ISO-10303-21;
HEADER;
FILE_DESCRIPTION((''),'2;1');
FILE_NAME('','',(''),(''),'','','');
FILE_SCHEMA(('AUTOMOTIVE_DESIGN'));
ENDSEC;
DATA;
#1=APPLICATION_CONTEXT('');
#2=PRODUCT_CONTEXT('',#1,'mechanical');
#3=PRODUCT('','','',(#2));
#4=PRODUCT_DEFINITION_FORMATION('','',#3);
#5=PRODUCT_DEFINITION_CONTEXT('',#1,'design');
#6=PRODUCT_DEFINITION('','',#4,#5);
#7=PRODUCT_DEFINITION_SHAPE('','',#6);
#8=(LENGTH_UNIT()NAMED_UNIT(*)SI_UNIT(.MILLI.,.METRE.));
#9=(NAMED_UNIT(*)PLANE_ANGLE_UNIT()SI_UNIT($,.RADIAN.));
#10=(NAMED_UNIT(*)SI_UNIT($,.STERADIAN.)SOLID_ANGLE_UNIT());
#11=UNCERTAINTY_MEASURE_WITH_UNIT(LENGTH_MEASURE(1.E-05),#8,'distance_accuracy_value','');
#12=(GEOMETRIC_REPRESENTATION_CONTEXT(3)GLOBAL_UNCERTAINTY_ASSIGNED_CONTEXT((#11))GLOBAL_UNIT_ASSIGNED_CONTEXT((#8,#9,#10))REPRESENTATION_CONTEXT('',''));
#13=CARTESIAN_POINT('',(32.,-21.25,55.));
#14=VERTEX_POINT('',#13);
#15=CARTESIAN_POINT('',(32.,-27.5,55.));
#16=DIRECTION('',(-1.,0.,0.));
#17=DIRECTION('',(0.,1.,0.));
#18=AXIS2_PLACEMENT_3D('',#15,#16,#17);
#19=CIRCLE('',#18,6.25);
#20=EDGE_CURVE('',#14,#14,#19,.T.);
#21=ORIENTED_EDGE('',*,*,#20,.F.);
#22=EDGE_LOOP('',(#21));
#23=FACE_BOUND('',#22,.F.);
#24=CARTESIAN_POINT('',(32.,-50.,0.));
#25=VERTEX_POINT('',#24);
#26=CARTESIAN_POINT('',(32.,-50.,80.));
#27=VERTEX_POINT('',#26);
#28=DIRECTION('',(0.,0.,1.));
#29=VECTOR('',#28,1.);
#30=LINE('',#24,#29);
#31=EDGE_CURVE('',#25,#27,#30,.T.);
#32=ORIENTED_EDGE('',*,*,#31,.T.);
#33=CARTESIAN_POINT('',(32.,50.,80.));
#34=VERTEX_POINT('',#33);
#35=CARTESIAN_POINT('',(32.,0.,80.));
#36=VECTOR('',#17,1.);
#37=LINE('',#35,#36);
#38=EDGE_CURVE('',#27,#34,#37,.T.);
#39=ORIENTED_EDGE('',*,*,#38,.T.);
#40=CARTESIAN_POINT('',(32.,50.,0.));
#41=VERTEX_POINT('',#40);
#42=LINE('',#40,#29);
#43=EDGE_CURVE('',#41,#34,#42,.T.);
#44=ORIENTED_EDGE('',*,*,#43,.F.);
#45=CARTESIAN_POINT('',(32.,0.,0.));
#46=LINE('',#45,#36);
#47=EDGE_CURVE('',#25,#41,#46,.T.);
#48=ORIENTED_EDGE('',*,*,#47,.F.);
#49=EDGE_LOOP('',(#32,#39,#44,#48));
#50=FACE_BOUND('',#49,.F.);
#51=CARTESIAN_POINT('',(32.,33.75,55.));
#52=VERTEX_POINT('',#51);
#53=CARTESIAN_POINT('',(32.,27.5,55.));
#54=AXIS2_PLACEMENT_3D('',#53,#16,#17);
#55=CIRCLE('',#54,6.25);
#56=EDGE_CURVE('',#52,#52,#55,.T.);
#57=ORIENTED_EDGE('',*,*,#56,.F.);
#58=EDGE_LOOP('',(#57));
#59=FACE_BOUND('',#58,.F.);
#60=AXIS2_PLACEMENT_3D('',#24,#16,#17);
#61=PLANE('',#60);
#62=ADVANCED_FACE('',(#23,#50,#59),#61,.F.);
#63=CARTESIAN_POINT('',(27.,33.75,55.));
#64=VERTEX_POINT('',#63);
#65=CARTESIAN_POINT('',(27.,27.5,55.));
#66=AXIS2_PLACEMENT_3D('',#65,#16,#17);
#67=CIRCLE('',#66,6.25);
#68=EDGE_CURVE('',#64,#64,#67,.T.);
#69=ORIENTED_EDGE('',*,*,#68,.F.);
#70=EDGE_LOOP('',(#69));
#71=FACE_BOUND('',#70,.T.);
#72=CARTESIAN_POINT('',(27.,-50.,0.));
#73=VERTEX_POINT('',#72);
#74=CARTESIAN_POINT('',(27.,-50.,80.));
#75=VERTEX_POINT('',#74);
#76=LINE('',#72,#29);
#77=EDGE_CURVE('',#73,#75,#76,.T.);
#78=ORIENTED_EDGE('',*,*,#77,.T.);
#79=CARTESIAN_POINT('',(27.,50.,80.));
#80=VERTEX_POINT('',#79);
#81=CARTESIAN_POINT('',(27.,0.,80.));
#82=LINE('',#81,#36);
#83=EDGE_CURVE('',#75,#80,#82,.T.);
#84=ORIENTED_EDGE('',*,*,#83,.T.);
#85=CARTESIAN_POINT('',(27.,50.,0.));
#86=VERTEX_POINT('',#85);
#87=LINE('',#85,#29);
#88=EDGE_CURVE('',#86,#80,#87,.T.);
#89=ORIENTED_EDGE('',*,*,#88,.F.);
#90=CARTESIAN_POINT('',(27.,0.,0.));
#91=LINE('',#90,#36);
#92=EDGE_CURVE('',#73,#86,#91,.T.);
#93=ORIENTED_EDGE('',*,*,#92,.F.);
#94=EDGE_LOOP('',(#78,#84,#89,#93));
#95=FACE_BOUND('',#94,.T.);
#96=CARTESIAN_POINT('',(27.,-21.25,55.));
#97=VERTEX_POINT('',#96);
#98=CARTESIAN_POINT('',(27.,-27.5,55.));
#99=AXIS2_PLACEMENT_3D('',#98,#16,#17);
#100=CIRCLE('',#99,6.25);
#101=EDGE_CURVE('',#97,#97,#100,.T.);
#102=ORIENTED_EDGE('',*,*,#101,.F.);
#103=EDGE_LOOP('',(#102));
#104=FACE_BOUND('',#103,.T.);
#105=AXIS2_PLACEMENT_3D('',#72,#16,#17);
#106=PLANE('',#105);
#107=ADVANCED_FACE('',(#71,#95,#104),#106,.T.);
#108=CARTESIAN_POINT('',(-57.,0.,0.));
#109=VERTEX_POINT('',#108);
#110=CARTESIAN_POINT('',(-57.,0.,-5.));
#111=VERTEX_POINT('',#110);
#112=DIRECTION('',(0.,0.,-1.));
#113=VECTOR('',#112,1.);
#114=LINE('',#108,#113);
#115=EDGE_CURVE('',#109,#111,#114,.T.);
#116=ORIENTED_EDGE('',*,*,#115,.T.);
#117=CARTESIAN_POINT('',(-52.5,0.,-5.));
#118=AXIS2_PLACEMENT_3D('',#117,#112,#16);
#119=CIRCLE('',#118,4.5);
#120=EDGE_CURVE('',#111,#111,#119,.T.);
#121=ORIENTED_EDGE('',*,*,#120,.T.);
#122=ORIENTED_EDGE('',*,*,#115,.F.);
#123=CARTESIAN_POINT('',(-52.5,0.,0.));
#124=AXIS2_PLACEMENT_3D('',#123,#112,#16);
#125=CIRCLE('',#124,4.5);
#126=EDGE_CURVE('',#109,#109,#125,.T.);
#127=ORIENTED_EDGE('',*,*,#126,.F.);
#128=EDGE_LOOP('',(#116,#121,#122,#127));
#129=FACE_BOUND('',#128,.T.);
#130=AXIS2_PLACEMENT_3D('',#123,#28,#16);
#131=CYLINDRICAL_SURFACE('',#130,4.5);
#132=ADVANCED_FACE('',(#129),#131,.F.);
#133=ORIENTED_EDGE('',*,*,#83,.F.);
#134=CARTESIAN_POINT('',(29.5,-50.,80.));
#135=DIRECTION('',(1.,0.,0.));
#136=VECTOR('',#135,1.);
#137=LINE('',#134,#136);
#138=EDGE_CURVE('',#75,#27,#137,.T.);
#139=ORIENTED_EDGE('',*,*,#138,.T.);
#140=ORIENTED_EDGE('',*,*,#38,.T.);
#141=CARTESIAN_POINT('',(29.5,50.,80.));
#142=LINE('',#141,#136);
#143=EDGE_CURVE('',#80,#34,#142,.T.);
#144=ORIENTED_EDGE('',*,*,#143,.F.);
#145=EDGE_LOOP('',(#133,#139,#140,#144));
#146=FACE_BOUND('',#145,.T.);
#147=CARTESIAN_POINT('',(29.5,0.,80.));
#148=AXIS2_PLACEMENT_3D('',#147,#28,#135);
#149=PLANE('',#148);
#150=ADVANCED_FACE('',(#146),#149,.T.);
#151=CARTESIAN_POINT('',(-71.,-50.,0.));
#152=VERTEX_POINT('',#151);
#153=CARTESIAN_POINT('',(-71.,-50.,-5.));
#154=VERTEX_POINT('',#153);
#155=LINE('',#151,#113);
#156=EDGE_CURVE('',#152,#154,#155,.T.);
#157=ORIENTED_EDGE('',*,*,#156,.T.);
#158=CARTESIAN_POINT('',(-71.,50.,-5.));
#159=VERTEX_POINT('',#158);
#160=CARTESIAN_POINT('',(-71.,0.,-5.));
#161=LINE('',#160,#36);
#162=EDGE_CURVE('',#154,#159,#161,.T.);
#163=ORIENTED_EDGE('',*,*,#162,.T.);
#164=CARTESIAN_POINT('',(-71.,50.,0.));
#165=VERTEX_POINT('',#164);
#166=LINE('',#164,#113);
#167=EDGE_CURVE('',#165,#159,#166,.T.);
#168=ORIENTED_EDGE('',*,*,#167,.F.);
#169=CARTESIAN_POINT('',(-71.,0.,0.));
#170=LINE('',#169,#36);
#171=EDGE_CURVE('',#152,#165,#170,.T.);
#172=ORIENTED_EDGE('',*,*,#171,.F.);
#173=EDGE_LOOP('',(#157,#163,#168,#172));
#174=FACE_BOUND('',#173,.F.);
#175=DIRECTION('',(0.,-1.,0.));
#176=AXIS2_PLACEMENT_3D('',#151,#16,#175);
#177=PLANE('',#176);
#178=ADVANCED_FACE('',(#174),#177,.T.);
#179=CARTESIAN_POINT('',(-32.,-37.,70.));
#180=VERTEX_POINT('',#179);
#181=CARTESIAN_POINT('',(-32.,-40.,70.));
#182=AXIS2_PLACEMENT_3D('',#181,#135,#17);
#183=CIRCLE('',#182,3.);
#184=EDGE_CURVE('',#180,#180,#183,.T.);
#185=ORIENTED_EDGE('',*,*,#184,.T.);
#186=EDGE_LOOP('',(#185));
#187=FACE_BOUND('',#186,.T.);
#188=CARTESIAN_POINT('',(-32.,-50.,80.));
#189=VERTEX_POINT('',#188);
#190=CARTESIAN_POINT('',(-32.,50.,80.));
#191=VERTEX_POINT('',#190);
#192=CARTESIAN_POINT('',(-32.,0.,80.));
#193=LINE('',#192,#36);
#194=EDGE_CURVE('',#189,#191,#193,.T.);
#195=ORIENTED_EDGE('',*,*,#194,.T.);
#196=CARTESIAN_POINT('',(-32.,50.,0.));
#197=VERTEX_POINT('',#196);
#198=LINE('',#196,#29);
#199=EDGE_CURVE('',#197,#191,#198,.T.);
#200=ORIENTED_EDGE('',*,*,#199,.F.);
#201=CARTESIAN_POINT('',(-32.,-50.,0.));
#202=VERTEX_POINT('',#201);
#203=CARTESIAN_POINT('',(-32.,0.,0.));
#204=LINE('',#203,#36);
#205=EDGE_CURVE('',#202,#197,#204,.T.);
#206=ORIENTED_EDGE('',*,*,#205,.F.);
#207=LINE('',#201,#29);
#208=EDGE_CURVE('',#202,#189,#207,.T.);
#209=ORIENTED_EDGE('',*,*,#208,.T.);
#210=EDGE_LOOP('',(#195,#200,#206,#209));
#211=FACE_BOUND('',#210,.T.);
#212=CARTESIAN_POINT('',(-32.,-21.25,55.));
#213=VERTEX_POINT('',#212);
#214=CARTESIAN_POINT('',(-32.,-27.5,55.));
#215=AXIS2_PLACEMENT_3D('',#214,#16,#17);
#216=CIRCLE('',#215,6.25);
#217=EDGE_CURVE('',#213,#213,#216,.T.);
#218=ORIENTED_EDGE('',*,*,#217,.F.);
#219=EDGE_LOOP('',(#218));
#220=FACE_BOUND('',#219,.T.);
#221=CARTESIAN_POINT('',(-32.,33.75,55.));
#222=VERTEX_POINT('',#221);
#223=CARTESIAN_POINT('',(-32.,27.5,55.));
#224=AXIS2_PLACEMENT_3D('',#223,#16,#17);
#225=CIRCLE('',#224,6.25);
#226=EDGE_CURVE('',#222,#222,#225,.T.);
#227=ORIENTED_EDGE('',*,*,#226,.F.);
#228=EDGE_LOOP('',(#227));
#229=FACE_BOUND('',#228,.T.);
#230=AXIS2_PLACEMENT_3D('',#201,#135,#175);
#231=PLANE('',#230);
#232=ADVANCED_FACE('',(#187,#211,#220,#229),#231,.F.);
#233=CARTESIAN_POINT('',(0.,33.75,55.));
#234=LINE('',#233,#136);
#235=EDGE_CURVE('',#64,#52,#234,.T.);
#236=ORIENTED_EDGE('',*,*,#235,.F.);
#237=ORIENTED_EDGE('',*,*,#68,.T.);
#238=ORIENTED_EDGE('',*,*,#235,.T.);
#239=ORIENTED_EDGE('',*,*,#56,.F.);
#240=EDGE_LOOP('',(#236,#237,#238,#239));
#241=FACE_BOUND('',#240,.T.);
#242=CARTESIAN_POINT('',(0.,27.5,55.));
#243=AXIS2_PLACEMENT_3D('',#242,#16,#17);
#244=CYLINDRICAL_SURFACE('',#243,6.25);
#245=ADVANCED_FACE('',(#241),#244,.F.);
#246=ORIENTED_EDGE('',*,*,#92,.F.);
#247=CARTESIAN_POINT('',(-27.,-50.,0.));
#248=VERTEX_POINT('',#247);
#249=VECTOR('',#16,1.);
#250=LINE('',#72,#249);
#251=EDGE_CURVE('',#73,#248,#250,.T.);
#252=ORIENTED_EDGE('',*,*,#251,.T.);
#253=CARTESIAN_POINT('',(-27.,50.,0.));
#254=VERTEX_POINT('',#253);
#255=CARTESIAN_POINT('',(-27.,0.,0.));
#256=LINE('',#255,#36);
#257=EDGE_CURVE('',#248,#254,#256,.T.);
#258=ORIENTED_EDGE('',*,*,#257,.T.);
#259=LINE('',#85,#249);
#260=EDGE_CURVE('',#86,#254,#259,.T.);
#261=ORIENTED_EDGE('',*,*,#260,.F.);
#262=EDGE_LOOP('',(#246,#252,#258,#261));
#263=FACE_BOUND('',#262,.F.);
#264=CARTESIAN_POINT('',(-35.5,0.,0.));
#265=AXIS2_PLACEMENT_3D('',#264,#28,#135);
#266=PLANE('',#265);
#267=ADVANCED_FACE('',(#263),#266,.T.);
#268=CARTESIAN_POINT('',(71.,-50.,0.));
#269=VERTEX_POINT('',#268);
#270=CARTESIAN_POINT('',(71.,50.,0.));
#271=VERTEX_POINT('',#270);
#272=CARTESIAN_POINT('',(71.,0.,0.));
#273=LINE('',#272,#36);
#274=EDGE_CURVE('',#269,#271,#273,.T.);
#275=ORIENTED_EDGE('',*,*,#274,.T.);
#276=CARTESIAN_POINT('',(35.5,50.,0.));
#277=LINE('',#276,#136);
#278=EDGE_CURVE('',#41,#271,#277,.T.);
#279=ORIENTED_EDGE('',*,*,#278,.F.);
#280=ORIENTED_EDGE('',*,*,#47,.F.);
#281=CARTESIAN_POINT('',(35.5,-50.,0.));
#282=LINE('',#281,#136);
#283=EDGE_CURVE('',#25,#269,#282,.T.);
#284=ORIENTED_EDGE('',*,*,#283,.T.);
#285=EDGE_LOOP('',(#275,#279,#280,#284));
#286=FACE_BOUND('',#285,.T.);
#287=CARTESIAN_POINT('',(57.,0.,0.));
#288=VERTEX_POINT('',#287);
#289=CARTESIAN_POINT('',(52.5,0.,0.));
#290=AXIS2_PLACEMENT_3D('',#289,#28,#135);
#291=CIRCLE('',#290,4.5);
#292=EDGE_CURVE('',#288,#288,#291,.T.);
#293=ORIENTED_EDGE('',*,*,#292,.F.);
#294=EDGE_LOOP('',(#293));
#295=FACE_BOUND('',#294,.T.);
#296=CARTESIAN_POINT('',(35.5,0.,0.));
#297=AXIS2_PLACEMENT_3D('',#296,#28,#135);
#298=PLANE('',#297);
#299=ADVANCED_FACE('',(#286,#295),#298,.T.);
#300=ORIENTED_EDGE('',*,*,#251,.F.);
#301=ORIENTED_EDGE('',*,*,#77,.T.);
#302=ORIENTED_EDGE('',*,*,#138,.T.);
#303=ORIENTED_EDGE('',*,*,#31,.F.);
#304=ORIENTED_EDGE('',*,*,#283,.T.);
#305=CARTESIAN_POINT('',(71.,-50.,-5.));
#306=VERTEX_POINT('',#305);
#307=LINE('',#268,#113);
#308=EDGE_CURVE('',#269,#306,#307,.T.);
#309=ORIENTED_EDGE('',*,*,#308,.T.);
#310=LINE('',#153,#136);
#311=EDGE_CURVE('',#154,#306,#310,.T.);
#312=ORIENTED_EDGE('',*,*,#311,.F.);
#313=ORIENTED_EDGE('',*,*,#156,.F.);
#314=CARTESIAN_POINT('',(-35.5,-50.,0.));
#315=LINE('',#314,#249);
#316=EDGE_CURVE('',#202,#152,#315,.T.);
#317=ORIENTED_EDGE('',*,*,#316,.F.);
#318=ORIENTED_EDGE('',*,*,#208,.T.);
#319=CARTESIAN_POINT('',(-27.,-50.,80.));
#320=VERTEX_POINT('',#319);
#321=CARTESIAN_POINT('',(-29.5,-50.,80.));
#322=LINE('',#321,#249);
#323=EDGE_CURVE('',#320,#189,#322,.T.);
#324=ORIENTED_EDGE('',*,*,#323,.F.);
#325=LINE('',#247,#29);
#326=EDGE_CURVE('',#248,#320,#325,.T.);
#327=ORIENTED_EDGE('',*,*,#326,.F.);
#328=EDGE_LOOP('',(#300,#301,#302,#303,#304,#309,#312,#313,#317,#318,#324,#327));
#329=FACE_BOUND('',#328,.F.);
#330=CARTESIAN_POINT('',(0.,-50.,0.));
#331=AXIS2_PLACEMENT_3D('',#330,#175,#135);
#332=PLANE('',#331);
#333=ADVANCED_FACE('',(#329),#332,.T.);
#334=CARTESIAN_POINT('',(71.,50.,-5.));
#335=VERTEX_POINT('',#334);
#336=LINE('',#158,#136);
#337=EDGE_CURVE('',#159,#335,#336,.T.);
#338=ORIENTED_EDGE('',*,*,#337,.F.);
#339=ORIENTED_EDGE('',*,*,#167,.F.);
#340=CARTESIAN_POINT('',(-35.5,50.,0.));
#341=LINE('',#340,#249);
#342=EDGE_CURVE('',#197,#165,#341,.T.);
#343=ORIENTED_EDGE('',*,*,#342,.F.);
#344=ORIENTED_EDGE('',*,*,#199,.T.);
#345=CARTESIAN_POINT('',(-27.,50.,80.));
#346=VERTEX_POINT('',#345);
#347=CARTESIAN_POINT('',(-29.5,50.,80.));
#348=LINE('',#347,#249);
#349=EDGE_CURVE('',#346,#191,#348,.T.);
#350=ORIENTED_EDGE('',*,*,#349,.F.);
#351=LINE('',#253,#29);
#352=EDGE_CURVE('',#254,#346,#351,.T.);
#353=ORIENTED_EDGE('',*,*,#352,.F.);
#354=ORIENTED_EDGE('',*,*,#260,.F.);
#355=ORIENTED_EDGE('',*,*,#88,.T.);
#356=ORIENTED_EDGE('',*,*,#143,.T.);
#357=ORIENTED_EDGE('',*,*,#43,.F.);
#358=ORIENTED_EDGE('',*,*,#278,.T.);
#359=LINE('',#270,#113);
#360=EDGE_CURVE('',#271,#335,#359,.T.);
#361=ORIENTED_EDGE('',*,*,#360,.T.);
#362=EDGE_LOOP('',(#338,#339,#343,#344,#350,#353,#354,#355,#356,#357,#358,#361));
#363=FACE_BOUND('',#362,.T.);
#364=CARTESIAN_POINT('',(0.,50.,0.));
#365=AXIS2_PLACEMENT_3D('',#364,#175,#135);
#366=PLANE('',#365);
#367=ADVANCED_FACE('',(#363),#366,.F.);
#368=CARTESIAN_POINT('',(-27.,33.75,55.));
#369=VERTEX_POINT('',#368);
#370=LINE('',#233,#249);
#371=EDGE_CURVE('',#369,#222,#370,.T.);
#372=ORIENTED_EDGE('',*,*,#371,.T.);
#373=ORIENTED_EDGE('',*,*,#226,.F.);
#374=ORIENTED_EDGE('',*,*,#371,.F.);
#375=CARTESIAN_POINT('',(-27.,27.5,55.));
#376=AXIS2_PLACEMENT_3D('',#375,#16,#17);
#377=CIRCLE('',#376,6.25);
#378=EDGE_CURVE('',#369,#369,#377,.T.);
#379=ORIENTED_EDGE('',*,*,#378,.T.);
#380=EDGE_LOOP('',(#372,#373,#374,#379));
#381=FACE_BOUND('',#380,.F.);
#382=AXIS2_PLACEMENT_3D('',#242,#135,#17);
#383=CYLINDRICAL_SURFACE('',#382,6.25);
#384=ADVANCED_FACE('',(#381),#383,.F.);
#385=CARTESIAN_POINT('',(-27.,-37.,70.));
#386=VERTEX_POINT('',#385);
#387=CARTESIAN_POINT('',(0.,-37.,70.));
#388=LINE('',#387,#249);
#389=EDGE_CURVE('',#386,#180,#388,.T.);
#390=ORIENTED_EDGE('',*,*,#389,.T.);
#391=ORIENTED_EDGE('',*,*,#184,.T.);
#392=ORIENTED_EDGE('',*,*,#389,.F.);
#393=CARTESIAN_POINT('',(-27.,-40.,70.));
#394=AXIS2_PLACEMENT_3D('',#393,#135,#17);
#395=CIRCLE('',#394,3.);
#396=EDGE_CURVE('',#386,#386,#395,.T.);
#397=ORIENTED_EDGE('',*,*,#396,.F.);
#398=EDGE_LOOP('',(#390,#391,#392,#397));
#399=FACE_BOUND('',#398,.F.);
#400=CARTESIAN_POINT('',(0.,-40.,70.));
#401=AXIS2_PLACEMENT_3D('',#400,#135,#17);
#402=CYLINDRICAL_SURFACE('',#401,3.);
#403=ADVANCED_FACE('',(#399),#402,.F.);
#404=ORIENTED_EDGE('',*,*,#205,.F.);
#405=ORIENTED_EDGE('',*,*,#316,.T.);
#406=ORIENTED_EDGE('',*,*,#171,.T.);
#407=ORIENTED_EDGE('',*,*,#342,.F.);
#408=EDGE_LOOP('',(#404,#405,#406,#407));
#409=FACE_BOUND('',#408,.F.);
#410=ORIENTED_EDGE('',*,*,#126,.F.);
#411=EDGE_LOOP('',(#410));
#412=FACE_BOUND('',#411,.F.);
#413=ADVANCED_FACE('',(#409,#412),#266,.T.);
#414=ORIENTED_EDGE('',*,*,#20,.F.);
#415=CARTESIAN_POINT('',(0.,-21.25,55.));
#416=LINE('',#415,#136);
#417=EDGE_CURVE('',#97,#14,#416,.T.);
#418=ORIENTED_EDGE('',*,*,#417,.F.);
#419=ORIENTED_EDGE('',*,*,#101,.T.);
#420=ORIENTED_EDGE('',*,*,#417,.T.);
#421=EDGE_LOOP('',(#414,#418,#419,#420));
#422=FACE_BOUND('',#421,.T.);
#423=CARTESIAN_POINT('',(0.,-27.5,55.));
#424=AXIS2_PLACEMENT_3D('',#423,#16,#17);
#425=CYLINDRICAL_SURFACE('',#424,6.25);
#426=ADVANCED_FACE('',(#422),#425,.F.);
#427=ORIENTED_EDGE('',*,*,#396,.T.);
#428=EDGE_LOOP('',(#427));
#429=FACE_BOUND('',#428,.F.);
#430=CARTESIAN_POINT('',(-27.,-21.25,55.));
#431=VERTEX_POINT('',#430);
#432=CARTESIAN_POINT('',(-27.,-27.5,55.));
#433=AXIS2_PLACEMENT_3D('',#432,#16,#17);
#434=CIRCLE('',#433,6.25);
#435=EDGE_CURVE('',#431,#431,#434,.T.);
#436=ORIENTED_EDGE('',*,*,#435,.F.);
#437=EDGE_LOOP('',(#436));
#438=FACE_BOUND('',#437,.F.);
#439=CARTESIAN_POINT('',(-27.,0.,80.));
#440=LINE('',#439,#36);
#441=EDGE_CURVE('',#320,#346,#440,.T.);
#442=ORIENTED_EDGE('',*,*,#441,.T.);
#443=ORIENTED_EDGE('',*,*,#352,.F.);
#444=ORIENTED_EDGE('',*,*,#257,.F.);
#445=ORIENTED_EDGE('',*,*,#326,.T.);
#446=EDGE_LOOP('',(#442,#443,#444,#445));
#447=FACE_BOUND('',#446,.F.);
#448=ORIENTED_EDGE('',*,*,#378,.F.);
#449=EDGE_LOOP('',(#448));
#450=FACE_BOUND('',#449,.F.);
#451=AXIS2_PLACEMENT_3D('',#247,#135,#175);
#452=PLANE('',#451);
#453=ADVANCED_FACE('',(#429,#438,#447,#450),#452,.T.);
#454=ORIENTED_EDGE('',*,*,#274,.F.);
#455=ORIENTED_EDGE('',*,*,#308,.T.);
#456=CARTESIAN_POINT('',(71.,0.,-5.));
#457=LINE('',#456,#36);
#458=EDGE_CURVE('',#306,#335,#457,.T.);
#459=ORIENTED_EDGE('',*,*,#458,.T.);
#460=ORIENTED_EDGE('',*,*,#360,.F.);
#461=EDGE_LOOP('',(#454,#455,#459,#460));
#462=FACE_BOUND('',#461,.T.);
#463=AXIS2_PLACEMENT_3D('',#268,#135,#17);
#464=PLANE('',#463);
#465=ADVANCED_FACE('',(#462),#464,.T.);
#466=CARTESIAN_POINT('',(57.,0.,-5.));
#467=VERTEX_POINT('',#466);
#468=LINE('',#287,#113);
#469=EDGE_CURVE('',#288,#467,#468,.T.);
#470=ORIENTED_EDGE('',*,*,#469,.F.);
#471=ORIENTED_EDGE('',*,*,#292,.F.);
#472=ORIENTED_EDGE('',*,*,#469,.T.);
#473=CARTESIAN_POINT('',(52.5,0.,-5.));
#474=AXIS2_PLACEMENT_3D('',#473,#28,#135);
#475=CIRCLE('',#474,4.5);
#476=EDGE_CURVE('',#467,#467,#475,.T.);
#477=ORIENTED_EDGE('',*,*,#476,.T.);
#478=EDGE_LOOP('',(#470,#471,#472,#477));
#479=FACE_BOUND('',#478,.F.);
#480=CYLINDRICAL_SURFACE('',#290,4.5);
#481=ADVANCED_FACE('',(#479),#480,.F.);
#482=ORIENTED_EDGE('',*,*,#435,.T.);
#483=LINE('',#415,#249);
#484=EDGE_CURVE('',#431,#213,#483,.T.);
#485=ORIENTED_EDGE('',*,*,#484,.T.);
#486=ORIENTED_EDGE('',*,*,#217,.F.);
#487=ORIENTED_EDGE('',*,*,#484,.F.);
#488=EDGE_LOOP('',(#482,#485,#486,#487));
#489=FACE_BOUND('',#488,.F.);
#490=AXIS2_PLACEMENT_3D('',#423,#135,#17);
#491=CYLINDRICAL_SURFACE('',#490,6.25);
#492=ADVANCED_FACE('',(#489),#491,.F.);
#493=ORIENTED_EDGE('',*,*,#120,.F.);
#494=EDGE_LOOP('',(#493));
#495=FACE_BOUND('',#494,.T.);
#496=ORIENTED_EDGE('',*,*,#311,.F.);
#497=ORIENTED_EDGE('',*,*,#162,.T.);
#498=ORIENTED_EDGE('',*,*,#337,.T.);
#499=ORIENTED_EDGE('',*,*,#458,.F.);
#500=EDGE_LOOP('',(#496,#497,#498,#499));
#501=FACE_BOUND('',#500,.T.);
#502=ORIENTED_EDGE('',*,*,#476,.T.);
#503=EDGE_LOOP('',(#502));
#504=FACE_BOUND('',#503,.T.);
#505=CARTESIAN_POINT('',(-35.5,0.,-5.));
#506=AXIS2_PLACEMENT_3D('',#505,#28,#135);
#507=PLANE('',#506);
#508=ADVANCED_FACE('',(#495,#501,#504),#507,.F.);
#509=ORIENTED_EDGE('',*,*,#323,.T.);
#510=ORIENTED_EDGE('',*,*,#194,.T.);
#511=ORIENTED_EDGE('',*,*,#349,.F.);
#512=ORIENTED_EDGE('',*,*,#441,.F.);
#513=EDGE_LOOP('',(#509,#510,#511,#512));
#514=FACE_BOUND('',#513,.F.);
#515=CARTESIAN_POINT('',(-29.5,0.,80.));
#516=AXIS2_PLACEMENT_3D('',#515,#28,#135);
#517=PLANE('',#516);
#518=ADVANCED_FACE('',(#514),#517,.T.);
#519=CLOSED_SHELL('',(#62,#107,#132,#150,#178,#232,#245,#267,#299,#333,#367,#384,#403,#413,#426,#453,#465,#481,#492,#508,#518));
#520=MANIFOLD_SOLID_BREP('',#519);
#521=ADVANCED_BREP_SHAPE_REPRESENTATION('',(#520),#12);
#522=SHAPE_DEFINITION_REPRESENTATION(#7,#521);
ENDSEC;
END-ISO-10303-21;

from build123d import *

# Parameters (mm, degrees)
F0_W     = 71
F0_H     = 100
F0_R     = 4.5
F1_DEPTH = 5
F2_W     = 5
F2_H     = 100
F3_DEPTH = 80
F4_R     = 6.25
F5_DEPTH = 71.001
F7_R     = 3
F8_DEPTH = 71.001


with BuildPart() as f1:
    # F0 (on Top) → F1 (new body)
    with BuildSketch(Plane.XY):
        with Locations((35.5, 0)):
            Rectangle(F0_W, F0_H)
        with Locations((52.5, 0)):
            Circle(F0_R, mode=Mode.SUBTRACT)
    extrude(amount=-F1_DEPTH)

    # F2 (on face) → F3 (join)
    with BuildSketch(Plane.XY):
        with Locations((29.5, 0)):
            Rectangle(F2_W, F2_H)
    extrude(amount=F3_DEPTH)

    # F4 (on Right) → F5 (cut, through all)
    with BuildSketch(Plane.YZ):
        with Locations((-27.5, 55)):
            Circle(F4_R)
        with Locations((27.5, 55)):
            Circle(F4_R)
    extrude(amount=F5_DEPTH, mode=Mode.SUBTRACT)

    # F6: F1 across face


with BuildPart() as f1_1:
    add(f1.part)
    add(f1.part.mirror(Plane(origin=(0, 0, -2.5), x_dir=(0, -1, 0), z_dir=(-1, 0, 0))))

    # F7 (on Right) → F8 (cut, through all)
    with BuildSketch(Plane.YZ):
        with Locations((-40, 70)):
            Circle(F7_R)
    extrude(amount=-F8_DEPTH, mode=Mode.SUBTRACT)


solid = f1_1.part
